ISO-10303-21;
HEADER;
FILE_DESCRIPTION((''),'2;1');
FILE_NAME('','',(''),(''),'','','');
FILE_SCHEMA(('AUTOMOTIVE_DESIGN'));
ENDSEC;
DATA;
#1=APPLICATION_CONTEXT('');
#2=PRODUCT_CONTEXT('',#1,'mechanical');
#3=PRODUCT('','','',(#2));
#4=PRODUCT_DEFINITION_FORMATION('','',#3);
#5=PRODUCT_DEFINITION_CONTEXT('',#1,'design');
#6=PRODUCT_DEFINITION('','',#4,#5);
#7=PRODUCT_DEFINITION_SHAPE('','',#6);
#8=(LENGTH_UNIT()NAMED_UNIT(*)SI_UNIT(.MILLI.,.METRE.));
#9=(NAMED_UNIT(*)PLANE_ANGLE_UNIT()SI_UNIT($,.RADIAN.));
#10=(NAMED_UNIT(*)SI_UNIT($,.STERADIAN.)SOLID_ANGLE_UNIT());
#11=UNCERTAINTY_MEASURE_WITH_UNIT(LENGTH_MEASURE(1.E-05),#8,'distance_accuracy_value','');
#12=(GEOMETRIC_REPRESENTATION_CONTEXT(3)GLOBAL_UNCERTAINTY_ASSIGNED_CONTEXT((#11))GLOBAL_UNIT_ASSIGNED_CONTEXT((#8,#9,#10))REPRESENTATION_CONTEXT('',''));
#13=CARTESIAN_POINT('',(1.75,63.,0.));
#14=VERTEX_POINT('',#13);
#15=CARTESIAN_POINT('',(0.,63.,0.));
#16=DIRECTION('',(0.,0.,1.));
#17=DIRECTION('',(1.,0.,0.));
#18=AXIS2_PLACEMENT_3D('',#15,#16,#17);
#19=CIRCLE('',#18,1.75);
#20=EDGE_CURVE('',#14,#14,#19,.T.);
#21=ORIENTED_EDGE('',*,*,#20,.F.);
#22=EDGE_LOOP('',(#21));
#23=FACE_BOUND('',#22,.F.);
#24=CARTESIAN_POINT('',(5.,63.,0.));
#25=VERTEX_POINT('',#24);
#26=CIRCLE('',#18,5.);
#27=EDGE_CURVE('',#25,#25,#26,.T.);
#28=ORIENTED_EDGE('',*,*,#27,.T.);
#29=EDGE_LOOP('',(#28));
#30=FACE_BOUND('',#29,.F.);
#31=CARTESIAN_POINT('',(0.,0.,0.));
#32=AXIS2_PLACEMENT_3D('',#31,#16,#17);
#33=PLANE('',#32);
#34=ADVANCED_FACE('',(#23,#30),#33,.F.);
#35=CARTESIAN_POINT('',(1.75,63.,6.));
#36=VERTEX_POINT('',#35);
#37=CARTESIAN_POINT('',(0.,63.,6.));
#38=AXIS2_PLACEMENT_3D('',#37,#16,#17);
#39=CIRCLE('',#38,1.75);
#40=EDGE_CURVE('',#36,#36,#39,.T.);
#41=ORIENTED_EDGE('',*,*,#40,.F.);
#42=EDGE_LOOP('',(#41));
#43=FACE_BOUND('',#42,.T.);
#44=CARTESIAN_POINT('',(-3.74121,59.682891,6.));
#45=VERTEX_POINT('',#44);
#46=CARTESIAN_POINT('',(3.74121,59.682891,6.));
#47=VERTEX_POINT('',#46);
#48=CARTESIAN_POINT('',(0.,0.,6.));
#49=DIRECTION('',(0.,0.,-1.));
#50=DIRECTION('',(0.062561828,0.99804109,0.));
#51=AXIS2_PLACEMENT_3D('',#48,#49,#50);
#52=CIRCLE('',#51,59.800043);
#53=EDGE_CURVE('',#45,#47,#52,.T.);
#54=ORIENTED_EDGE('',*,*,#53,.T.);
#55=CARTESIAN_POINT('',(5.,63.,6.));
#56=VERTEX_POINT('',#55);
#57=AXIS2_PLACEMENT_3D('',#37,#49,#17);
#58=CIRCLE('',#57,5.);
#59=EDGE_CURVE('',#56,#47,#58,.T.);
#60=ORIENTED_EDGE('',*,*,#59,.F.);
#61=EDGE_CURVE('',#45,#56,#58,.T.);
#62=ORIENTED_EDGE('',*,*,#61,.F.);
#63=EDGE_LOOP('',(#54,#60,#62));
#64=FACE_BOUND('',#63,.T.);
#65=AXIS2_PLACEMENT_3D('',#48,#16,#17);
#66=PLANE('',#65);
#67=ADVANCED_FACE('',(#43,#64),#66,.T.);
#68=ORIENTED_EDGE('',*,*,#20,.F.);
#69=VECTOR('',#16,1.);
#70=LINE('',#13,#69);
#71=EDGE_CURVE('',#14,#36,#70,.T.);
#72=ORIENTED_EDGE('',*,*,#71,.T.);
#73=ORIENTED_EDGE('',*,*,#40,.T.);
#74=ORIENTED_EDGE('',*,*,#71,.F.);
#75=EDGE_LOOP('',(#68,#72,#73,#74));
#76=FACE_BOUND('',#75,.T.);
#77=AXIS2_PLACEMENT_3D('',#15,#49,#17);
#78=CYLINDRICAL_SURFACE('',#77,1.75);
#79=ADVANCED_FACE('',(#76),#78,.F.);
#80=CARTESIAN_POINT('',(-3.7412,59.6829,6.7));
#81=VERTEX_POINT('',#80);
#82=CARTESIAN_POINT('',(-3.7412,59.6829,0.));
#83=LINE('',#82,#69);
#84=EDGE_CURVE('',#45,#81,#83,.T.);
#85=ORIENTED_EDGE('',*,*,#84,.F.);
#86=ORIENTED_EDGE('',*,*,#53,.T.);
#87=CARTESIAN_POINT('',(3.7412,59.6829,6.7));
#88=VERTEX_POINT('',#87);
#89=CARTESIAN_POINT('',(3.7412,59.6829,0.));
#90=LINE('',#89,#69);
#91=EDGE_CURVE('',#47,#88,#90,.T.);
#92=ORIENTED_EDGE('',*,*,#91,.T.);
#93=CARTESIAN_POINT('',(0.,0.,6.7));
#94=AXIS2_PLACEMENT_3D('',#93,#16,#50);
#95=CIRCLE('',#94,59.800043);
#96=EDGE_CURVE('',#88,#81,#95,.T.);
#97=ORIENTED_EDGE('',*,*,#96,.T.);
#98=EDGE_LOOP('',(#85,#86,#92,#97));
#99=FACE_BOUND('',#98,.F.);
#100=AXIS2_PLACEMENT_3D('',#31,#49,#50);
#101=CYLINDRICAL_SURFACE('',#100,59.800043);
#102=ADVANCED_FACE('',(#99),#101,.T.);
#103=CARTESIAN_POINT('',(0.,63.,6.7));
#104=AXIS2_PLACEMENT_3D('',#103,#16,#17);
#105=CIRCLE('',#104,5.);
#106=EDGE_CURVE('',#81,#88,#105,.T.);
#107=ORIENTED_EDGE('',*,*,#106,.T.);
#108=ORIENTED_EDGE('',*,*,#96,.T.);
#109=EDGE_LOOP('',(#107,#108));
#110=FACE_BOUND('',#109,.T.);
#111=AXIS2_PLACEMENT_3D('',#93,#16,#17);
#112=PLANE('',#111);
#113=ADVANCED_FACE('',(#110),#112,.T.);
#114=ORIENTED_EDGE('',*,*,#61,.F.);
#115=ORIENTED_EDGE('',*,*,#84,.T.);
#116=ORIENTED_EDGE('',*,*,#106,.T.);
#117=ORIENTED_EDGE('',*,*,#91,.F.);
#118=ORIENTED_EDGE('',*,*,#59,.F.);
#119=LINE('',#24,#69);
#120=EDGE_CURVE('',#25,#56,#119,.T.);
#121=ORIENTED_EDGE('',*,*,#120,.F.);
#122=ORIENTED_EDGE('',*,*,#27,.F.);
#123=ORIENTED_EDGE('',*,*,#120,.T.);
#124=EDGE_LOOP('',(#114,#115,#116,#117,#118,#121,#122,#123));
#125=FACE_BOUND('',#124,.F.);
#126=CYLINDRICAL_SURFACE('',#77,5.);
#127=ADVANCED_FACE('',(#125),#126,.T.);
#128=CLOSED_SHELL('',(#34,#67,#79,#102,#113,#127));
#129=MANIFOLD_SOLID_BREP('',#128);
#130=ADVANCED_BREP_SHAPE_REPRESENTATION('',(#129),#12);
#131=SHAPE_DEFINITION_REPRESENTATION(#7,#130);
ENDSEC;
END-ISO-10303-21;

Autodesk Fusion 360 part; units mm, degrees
sketch "Skizze1" plane through (0, 0, 0) normal (0, 0, 1) x (1, 0, 0)
  line L0 (-39.3753, 0) -> (42.4042, 0) construction
  line L1 (0, 170.6208) -> (0, -60) construction
  line L2 (-58.6161, 63) -> (60, 63) construction
  circle A0 centre (0, 63) radius 1.75
  circle A1 centre (0, 63) radius 5
  arc A2 (3.7412, 59.6829) -> (-3.7412, 59.6829) centre (0, 0) ccw
  point P0 (0, 63)
  dimension "d1" = 63
  dimension "d3" = 3.5
  dimension "d4" = 10
  dimension "d5" = 59.8
extrude "Extrusion1" add sketch "Skizze1" along normal blind 6
extrude "Extrusion2" add sketch "Skizze1" along normal blind 6.7 contours A1 A2 picked at (0, 59.1913)
